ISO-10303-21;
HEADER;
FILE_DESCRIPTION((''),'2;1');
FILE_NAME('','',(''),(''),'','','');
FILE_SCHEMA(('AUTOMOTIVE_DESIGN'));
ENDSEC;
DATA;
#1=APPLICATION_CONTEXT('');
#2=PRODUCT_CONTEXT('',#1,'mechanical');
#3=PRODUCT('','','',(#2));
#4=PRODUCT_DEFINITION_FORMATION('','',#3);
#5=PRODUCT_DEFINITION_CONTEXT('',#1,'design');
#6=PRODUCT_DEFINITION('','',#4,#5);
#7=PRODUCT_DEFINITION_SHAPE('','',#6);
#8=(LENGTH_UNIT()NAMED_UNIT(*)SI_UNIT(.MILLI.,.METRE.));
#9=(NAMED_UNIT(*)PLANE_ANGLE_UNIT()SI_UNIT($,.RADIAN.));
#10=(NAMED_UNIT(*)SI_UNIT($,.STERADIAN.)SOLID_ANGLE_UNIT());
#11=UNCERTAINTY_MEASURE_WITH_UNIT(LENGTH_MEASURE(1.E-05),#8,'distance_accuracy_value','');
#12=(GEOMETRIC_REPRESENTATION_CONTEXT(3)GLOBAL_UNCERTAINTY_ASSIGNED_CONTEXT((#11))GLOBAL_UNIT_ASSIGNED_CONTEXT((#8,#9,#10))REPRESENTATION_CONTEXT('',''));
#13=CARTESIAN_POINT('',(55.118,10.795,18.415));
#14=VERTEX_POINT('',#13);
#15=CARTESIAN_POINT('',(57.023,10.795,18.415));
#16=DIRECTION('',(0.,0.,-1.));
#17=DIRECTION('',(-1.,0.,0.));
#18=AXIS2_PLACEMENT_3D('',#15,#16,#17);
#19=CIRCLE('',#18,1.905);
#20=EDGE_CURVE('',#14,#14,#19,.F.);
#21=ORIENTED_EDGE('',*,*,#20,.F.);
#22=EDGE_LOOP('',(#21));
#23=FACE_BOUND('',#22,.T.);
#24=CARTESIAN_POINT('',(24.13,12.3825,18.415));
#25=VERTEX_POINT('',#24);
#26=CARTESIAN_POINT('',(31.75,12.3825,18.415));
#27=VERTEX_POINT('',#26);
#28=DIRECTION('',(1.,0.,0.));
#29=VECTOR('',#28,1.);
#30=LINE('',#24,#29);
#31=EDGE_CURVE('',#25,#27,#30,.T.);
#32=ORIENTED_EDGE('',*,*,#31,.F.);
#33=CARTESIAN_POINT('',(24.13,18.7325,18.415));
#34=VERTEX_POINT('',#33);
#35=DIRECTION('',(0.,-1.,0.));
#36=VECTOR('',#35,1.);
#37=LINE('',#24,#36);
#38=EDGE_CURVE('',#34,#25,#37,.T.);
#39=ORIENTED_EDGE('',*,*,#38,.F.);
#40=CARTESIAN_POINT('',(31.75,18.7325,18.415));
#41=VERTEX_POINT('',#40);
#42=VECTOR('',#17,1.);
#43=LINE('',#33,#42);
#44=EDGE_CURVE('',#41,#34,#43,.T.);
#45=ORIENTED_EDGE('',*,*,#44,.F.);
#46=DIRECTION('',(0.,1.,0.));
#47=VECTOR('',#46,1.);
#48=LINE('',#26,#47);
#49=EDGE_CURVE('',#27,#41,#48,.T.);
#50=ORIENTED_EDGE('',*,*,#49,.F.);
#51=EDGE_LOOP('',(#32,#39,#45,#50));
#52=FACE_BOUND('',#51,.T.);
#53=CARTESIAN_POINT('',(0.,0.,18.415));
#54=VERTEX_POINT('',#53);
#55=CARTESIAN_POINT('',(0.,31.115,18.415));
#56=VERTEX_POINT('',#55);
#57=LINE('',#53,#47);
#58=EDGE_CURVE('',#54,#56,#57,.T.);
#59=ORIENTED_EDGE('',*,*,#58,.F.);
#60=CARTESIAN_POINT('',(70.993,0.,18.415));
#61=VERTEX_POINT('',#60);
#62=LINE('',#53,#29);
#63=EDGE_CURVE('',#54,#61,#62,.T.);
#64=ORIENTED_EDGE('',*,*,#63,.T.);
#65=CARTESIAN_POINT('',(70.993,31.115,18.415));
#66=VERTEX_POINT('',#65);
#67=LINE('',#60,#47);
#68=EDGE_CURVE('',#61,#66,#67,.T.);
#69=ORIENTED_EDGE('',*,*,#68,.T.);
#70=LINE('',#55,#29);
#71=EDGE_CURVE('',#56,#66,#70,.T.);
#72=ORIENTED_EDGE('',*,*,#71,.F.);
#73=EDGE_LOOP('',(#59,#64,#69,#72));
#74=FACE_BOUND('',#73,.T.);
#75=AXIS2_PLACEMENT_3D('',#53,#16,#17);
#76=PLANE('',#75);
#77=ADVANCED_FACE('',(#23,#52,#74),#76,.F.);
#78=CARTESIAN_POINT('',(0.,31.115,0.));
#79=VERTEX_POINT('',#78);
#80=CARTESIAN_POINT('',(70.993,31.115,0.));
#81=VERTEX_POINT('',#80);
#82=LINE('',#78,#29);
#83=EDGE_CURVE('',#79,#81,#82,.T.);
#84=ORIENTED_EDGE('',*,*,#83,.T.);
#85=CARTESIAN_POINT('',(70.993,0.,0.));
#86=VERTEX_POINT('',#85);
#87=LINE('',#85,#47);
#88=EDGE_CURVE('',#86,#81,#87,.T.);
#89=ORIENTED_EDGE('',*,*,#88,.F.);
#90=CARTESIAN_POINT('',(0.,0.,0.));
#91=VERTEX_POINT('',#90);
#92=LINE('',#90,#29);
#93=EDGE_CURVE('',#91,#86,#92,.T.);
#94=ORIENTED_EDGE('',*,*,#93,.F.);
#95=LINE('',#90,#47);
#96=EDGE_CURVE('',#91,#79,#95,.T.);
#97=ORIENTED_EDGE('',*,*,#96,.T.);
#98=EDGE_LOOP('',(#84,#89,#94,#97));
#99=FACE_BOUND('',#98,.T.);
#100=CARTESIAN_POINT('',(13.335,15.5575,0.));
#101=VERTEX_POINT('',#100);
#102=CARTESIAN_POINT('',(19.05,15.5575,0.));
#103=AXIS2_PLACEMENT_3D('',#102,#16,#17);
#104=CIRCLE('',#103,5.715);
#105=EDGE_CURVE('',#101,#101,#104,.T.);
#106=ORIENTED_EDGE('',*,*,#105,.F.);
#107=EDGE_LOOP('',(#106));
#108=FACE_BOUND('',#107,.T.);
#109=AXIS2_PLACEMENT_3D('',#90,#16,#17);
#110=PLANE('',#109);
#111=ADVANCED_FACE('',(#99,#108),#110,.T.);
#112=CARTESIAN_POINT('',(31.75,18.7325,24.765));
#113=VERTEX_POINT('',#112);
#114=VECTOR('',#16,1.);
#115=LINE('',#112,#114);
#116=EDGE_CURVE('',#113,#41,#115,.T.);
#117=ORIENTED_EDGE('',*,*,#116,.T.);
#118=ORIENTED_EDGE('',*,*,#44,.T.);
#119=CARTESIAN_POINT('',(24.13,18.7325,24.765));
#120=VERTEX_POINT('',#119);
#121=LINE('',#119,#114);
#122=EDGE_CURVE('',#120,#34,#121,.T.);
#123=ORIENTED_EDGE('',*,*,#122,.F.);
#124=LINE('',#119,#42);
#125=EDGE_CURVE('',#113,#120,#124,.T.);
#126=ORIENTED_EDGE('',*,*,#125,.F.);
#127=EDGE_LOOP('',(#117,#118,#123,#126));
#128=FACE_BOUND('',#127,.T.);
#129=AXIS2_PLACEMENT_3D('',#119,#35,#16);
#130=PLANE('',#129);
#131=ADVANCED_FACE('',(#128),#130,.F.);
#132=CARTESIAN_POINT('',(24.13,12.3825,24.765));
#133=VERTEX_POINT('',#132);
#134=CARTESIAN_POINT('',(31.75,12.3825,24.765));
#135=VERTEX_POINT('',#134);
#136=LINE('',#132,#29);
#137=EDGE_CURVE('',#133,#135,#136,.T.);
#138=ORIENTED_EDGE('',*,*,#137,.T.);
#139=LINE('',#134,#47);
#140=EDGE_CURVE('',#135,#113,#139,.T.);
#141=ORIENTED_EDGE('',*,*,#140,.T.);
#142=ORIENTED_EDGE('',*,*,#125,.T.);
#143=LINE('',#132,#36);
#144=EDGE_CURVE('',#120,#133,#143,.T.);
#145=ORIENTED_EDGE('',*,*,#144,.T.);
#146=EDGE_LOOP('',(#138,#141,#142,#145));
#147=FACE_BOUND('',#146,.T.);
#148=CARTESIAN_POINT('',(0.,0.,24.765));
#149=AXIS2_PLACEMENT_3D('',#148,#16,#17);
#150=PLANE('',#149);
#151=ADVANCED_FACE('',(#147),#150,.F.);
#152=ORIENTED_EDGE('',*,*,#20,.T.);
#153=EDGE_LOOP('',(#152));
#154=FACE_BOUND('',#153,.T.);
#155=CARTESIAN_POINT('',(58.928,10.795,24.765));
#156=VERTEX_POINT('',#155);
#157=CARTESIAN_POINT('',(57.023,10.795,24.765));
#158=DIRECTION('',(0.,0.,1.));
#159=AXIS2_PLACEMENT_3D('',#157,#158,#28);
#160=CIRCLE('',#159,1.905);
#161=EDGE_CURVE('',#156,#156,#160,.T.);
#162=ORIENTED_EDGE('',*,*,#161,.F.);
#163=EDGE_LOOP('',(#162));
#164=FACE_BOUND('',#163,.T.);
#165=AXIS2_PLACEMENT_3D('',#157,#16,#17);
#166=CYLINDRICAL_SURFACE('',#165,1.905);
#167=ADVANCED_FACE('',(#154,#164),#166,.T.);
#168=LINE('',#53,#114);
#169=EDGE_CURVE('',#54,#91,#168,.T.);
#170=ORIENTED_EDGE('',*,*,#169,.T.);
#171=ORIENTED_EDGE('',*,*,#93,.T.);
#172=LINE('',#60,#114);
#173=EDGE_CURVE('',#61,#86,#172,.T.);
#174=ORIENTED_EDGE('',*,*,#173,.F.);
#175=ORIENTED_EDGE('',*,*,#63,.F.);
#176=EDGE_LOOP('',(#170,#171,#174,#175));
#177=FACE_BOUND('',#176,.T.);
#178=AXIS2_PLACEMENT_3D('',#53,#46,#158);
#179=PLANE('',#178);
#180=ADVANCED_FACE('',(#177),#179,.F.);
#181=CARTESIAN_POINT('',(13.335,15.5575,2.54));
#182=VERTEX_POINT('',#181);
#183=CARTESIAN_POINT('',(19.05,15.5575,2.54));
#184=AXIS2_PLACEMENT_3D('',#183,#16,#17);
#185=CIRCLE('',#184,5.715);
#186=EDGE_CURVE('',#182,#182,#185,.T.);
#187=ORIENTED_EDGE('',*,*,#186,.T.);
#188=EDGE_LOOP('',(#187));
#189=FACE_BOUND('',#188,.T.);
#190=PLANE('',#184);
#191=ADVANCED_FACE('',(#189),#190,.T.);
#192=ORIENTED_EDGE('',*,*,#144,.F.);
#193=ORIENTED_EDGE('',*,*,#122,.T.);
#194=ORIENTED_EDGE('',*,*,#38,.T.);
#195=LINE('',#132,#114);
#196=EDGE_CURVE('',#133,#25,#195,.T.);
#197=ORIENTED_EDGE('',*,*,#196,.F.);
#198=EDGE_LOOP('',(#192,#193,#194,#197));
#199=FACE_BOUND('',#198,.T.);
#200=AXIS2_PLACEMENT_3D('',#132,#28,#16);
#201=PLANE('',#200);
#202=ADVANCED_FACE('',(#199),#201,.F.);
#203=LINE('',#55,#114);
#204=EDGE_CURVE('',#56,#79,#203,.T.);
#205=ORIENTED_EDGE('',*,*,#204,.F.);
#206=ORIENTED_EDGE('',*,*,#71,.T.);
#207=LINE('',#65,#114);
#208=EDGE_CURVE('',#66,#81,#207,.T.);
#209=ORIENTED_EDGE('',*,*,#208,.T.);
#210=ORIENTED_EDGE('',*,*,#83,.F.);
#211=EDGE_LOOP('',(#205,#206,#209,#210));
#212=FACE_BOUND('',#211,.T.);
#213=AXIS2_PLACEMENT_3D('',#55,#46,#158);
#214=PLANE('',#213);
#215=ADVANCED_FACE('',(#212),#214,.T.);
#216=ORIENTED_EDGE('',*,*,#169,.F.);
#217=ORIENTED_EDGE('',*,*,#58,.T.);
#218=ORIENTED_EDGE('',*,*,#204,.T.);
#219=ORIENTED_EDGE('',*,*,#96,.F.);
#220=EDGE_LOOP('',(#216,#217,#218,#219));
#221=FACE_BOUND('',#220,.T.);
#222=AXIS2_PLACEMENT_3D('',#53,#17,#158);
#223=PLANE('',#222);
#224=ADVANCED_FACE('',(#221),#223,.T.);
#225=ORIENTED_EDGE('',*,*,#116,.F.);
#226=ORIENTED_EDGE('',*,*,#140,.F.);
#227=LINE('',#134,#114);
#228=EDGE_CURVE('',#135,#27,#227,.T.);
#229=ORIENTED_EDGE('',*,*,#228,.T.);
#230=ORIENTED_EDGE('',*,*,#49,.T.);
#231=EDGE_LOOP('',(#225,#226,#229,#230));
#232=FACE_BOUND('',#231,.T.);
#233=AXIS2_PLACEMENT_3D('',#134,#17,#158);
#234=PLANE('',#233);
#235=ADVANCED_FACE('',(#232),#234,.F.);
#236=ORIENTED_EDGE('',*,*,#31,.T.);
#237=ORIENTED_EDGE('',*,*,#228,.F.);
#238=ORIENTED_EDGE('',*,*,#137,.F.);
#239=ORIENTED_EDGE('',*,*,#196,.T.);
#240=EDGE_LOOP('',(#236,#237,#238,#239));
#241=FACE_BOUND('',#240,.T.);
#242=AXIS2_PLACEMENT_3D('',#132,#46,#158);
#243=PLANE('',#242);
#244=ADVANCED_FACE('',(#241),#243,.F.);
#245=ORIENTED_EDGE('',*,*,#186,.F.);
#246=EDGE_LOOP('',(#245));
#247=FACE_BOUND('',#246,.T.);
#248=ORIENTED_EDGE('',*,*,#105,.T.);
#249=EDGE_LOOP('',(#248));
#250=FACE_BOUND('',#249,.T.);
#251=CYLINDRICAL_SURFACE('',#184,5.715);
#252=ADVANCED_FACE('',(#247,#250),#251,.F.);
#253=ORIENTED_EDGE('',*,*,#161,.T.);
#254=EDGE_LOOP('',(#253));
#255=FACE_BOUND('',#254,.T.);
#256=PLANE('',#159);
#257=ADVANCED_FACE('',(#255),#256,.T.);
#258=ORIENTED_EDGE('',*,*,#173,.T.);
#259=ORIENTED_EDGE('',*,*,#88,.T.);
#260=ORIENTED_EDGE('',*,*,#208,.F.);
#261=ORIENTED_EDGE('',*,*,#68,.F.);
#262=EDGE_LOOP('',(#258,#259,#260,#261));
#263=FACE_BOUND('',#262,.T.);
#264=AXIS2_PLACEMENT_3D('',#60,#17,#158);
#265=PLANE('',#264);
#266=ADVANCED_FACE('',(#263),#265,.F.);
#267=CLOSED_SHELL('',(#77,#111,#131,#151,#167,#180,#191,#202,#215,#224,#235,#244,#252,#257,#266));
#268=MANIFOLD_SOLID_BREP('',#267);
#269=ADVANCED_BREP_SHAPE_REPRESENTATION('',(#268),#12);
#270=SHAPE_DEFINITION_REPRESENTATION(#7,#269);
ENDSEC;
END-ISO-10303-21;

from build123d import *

# Parameters (mm, degrees)
SKETCH1_W           = 70.993
SKETCH1_H           = 31.115
BOSS_EXTRUDE1_DEPTH = 18.415
SKETCH2_R           = 1.905
SKETCH2_W           = 7.62
SKETCH2_H           = 6.35
BOSS_EXTRUDE2_DEPTH = 6.35
SKETCH3_R           = 5.715
CUT_EXTRUDE1_DEPTH  = 2.54


with BuildPart() as part:
    # Sketch1 → Boss-Extrude1 (new body)
    with BuildSketch(Plane.XY):
        with Locations((35.4965, 15.5575)):
            Rectangle(SKETCH1_W, SKETCH1_H)
    extrude(amount=BOSS_EXTRUDE1_DEPTH)

    # Sketch2 → Boss-Extrude2 (add)
    with BuildSketch(Plane.XY.offset(18.415)):
        with Locations(Location((57.023, 10.794999954, 0), (0, 0, 180))):
            Circle(SKETCH2_R)
        with Locations((27.94, 15.5575)):
            Rectangle(SKETCH2_W, SKETCH2_H)
    extrude(amount=BOSS_EXTRUDE2_DEPTH)

    # Sketch3 → Cut-Extrude1 (cut)
    with BuildSketch(Plane(origin=(0, 0, 0), x_dir=(-1, 0, 0), z_dir=(0, 0, -1))):
        with Locations((-19.05, 15.5575)):
            Circle(SKETCH3_R)
    extrude(amount=-CUT_EXTRUDE1_DEPTH, mode=Mode.SUBTRACT)


solid = part.part
